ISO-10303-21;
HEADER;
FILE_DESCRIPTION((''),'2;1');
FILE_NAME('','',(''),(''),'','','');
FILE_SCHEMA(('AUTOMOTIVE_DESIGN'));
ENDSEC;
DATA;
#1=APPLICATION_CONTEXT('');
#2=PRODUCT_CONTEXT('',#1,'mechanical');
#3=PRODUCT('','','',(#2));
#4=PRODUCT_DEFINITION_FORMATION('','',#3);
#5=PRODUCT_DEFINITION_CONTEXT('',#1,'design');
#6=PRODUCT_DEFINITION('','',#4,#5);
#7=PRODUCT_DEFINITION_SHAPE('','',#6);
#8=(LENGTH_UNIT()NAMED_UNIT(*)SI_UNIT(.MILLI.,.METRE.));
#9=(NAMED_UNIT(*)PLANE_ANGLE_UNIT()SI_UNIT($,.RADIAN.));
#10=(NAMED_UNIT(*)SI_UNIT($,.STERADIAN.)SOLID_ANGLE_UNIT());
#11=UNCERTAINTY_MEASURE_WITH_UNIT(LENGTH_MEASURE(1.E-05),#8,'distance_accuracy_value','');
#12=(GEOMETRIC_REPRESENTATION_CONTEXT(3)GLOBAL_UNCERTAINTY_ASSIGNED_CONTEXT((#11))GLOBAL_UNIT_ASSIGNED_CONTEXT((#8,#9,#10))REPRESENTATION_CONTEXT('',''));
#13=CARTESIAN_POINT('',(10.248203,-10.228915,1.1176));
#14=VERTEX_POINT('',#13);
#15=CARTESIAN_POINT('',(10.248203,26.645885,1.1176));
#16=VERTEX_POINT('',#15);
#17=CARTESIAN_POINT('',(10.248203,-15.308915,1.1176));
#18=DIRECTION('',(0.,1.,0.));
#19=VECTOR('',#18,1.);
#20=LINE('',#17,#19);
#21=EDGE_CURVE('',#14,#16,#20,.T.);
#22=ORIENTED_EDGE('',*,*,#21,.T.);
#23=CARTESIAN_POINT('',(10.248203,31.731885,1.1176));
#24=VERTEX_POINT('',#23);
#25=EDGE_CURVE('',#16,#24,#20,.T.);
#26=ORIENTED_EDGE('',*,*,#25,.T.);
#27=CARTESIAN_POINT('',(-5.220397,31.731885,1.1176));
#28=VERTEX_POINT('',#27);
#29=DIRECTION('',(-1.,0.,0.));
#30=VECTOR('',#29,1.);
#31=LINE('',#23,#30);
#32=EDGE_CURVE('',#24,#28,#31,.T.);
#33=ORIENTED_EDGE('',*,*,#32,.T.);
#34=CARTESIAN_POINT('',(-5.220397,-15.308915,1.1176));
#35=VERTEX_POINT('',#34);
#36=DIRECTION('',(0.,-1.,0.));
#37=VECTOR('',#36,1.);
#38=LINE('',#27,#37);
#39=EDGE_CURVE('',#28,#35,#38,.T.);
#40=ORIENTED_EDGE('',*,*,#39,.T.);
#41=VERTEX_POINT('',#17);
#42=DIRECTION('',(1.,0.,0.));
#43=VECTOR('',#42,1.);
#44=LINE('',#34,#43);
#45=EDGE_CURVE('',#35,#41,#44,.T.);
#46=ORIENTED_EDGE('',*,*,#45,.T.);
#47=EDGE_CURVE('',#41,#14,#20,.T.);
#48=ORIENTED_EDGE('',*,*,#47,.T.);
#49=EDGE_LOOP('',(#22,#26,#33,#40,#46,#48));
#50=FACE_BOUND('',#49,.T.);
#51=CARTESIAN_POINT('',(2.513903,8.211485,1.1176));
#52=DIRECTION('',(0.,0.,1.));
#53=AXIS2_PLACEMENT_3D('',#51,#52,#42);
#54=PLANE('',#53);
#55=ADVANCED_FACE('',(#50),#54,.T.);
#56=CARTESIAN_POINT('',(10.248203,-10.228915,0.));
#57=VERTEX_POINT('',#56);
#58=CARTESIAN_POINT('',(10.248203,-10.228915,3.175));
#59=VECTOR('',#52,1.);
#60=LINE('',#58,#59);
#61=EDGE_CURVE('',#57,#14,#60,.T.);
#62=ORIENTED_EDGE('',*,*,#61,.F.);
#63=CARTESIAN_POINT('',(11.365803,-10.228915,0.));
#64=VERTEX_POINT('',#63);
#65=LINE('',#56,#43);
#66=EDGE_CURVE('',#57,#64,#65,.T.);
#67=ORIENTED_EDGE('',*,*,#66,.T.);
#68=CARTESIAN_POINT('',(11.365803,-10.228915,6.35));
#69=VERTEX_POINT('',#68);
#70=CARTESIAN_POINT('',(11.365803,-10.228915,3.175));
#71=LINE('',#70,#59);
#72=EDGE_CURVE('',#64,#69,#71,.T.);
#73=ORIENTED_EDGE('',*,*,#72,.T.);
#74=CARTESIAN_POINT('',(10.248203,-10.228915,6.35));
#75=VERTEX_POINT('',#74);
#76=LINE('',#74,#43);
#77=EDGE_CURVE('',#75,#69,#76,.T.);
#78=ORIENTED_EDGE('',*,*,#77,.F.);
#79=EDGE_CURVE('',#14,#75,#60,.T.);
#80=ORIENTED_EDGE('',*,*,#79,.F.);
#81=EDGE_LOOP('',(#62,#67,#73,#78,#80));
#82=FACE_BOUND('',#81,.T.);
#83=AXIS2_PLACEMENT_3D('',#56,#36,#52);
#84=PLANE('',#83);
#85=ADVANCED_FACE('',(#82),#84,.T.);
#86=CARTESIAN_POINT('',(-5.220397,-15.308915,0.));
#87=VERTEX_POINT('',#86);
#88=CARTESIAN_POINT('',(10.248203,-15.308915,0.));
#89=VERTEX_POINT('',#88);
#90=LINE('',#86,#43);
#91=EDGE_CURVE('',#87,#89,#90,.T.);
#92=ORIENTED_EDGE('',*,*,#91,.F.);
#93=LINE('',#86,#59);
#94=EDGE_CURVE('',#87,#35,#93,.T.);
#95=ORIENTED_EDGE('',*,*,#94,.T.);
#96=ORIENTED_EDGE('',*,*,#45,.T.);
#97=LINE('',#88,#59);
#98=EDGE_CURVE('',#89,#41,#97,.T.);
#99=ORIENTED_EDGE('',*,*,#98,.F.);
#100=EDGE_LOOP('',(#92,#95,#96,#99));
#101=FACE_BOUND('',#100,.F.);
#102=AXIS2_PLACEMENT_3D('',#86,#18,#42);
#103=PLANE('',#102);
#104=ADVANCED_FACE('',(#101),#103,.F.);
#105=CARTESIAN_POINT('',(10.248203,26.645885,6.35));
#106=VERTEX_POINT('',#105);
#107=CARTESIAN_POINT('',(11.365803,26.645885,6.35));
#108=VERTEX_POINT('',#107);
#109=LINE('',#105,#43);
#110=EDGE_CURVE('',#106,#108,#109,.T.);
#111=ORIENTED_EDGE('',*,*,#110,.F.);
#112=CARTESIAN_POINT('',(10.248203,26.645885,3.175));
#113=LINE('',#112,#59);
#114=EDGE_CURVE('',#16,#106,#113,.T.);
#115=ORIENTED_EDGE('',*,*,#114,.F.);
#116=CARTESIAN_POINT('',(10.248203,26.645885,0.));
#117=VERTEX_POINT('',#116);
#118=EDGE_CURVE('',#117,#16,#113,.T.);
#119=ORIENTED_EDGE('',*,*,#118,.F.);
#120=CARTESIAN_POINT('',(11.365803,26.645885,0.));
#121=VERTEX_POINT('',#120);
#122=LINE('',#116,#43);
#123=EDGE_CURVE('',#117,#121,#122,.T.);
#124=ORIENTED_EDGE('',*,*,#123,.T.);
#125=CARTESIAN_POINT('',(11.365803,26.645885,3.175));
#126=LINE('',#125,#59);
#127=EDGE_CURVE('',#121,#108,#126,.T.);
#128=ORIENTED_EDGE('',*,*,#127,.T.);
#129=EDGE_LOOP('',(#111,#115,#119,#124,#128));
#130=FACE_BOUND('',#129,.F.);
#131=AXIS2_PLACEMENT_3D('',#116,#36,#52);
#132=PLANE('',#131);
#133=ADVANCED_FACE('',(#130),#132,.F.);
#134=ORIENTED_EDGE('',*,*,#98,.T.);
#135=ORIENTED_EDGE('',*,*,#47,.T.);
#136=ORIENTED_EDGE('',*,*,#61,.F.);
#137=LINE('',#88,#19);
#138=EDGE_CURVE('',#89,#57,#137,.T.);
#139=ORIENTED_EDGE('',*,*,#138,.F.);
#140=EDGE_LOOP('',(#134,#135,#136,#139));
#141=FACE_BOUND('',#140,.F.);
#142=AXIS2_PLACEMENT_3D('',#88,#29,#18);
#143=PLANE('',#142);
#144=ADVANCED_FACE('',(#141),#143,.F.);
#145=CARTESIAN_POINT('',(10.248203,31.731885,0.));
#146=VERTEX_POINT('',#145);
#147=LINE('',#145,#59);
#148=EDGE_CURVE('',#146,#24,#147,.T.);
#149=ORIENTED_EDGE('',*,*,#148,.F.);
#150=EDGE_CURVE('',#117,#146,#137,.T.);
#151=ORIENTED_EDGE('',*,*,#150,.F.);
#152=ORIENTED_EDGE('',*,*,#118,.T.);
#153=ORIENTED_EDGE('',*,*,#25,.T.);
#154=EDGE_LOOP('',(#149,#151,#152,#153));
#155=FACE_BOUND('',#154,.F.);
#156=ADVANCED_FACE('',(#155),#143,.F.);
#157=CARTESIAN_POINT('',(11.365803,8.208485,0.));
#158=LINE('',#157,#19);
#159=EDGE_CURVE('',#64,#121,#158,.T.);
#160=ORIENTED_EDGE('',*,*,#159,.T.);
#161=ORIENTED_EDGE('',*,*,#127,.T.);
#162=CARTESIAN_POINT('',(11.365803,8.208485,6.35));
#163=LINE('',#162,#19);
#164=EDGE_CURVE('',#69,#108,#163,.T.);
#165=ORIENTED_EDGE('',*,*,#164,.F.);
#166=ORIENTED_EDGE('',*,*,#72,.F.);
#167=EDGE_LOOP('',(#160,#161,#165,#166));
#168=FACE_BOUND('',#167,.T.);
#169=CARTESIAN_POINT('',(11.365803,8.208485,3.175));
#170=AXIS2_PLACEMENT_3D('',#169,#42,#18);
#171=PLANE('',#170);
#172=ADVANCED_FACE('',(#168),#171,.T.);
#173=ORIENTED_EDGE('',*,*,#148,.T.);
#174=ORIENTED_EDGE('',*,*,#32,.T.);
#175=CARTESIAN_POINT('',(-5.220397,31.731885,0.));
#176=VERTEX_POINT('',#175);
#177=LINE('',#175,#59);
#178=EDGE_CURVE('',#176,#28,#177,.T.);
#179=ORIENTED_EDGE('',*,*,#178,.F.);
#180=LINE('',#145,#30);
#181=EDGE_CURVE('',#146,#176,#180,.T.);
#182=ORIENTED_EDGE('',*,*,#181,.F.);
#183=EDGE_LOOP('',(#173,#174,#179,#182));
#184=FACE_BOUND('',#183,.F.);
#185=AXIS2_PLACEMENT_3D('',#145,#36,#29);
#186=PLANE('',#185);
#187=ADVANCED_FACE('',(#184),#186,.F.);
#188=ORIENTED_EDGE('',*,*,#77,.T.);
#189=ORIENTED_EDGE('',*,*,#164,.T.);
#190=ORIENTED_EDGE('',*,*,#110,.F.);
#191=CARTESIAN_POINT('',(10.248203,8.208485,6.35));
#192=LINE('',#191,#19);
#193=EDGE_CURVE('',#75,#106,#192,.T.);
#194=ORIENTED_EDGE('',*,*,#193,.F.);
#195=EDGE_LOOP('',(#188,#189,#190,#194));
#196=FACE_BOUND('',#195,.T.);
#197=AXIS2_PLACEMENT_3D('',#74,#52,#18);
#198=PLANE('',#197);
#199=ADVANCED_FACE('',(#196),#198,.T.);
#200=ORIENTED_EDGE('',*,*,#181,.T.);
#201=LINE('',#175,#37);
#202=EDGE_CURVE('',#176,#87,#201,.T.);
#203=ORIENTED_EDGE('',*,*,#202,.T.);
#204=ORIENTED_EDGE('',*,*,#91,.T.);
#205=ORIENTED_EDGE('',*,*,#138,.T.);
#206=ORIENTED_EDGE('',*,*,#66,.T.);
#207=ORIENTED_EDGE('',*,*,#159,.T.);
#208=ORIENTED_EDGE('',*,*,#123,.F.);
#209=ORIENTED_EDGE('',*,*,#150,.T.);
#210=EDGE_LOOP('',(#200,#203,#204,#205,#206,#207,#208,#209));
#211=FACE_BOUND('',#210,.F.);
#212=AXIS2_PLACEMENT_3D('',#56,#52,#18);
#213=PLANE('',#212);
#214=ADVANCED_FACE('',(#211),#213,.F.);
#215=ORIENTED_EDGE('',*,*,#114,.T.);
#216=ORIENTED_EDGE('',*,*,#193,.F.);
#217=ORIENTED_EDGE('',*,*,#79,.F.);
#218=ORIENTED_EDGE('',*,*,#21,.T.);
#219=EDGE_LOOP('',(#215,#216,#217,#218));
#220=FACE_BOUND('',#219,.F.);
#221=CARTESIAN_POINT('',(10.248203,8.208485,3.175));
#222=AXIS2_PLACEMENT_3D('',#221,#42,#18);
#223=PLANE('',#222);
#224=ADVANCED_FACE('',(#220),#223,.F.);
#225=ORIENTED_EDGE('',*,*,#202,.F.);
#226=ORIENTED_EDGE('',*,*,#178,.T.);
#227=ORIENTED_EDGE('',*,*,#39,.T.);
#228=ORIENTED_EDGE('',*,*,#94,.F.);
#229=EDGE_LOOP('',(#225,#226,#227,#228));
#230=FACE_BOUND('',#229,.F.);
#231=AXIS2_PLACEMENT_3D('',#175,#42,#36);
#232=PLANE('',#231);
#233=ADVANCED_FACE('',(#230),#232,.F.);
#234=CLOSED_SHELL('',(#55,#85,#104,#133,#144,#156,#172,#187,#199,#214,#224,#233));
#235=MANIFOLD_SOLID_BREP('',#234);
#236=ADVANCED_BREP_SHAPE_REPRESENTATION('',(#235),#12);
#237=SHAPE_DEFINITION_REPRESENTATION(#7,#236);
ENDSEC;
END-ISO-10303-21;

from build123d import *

# Parameters (mm, degrees)
F1_DEPTH = 1.1176
F2_W     = 36.874799
F2_H     = 6.35
F3_DEPTH = 1.1176


with BuildPart() as f1:
    # F0 (on Top) → F1 (new body)
    with BuildSketch(Plane.XY):
        Polygon((10.248203, 31.731885), (-5.220397, 31.731885), (-5.220397, -15.308915), (10.248203, -15.308915), (10.248203, -10.228915), (10.248203, 26.651885), align=None)
    extrude(amount=F1_DEPTH)

    # F2 (on face) → F3 (join)
    with BuildSketch(Plane.YZ.offset(10.248203)):
        with Locations((8.208485, 3.175)):
            Rectangle(F2_W, F2_H)
    extrude(amount=F3_DEPTH)


solid = f1.part
